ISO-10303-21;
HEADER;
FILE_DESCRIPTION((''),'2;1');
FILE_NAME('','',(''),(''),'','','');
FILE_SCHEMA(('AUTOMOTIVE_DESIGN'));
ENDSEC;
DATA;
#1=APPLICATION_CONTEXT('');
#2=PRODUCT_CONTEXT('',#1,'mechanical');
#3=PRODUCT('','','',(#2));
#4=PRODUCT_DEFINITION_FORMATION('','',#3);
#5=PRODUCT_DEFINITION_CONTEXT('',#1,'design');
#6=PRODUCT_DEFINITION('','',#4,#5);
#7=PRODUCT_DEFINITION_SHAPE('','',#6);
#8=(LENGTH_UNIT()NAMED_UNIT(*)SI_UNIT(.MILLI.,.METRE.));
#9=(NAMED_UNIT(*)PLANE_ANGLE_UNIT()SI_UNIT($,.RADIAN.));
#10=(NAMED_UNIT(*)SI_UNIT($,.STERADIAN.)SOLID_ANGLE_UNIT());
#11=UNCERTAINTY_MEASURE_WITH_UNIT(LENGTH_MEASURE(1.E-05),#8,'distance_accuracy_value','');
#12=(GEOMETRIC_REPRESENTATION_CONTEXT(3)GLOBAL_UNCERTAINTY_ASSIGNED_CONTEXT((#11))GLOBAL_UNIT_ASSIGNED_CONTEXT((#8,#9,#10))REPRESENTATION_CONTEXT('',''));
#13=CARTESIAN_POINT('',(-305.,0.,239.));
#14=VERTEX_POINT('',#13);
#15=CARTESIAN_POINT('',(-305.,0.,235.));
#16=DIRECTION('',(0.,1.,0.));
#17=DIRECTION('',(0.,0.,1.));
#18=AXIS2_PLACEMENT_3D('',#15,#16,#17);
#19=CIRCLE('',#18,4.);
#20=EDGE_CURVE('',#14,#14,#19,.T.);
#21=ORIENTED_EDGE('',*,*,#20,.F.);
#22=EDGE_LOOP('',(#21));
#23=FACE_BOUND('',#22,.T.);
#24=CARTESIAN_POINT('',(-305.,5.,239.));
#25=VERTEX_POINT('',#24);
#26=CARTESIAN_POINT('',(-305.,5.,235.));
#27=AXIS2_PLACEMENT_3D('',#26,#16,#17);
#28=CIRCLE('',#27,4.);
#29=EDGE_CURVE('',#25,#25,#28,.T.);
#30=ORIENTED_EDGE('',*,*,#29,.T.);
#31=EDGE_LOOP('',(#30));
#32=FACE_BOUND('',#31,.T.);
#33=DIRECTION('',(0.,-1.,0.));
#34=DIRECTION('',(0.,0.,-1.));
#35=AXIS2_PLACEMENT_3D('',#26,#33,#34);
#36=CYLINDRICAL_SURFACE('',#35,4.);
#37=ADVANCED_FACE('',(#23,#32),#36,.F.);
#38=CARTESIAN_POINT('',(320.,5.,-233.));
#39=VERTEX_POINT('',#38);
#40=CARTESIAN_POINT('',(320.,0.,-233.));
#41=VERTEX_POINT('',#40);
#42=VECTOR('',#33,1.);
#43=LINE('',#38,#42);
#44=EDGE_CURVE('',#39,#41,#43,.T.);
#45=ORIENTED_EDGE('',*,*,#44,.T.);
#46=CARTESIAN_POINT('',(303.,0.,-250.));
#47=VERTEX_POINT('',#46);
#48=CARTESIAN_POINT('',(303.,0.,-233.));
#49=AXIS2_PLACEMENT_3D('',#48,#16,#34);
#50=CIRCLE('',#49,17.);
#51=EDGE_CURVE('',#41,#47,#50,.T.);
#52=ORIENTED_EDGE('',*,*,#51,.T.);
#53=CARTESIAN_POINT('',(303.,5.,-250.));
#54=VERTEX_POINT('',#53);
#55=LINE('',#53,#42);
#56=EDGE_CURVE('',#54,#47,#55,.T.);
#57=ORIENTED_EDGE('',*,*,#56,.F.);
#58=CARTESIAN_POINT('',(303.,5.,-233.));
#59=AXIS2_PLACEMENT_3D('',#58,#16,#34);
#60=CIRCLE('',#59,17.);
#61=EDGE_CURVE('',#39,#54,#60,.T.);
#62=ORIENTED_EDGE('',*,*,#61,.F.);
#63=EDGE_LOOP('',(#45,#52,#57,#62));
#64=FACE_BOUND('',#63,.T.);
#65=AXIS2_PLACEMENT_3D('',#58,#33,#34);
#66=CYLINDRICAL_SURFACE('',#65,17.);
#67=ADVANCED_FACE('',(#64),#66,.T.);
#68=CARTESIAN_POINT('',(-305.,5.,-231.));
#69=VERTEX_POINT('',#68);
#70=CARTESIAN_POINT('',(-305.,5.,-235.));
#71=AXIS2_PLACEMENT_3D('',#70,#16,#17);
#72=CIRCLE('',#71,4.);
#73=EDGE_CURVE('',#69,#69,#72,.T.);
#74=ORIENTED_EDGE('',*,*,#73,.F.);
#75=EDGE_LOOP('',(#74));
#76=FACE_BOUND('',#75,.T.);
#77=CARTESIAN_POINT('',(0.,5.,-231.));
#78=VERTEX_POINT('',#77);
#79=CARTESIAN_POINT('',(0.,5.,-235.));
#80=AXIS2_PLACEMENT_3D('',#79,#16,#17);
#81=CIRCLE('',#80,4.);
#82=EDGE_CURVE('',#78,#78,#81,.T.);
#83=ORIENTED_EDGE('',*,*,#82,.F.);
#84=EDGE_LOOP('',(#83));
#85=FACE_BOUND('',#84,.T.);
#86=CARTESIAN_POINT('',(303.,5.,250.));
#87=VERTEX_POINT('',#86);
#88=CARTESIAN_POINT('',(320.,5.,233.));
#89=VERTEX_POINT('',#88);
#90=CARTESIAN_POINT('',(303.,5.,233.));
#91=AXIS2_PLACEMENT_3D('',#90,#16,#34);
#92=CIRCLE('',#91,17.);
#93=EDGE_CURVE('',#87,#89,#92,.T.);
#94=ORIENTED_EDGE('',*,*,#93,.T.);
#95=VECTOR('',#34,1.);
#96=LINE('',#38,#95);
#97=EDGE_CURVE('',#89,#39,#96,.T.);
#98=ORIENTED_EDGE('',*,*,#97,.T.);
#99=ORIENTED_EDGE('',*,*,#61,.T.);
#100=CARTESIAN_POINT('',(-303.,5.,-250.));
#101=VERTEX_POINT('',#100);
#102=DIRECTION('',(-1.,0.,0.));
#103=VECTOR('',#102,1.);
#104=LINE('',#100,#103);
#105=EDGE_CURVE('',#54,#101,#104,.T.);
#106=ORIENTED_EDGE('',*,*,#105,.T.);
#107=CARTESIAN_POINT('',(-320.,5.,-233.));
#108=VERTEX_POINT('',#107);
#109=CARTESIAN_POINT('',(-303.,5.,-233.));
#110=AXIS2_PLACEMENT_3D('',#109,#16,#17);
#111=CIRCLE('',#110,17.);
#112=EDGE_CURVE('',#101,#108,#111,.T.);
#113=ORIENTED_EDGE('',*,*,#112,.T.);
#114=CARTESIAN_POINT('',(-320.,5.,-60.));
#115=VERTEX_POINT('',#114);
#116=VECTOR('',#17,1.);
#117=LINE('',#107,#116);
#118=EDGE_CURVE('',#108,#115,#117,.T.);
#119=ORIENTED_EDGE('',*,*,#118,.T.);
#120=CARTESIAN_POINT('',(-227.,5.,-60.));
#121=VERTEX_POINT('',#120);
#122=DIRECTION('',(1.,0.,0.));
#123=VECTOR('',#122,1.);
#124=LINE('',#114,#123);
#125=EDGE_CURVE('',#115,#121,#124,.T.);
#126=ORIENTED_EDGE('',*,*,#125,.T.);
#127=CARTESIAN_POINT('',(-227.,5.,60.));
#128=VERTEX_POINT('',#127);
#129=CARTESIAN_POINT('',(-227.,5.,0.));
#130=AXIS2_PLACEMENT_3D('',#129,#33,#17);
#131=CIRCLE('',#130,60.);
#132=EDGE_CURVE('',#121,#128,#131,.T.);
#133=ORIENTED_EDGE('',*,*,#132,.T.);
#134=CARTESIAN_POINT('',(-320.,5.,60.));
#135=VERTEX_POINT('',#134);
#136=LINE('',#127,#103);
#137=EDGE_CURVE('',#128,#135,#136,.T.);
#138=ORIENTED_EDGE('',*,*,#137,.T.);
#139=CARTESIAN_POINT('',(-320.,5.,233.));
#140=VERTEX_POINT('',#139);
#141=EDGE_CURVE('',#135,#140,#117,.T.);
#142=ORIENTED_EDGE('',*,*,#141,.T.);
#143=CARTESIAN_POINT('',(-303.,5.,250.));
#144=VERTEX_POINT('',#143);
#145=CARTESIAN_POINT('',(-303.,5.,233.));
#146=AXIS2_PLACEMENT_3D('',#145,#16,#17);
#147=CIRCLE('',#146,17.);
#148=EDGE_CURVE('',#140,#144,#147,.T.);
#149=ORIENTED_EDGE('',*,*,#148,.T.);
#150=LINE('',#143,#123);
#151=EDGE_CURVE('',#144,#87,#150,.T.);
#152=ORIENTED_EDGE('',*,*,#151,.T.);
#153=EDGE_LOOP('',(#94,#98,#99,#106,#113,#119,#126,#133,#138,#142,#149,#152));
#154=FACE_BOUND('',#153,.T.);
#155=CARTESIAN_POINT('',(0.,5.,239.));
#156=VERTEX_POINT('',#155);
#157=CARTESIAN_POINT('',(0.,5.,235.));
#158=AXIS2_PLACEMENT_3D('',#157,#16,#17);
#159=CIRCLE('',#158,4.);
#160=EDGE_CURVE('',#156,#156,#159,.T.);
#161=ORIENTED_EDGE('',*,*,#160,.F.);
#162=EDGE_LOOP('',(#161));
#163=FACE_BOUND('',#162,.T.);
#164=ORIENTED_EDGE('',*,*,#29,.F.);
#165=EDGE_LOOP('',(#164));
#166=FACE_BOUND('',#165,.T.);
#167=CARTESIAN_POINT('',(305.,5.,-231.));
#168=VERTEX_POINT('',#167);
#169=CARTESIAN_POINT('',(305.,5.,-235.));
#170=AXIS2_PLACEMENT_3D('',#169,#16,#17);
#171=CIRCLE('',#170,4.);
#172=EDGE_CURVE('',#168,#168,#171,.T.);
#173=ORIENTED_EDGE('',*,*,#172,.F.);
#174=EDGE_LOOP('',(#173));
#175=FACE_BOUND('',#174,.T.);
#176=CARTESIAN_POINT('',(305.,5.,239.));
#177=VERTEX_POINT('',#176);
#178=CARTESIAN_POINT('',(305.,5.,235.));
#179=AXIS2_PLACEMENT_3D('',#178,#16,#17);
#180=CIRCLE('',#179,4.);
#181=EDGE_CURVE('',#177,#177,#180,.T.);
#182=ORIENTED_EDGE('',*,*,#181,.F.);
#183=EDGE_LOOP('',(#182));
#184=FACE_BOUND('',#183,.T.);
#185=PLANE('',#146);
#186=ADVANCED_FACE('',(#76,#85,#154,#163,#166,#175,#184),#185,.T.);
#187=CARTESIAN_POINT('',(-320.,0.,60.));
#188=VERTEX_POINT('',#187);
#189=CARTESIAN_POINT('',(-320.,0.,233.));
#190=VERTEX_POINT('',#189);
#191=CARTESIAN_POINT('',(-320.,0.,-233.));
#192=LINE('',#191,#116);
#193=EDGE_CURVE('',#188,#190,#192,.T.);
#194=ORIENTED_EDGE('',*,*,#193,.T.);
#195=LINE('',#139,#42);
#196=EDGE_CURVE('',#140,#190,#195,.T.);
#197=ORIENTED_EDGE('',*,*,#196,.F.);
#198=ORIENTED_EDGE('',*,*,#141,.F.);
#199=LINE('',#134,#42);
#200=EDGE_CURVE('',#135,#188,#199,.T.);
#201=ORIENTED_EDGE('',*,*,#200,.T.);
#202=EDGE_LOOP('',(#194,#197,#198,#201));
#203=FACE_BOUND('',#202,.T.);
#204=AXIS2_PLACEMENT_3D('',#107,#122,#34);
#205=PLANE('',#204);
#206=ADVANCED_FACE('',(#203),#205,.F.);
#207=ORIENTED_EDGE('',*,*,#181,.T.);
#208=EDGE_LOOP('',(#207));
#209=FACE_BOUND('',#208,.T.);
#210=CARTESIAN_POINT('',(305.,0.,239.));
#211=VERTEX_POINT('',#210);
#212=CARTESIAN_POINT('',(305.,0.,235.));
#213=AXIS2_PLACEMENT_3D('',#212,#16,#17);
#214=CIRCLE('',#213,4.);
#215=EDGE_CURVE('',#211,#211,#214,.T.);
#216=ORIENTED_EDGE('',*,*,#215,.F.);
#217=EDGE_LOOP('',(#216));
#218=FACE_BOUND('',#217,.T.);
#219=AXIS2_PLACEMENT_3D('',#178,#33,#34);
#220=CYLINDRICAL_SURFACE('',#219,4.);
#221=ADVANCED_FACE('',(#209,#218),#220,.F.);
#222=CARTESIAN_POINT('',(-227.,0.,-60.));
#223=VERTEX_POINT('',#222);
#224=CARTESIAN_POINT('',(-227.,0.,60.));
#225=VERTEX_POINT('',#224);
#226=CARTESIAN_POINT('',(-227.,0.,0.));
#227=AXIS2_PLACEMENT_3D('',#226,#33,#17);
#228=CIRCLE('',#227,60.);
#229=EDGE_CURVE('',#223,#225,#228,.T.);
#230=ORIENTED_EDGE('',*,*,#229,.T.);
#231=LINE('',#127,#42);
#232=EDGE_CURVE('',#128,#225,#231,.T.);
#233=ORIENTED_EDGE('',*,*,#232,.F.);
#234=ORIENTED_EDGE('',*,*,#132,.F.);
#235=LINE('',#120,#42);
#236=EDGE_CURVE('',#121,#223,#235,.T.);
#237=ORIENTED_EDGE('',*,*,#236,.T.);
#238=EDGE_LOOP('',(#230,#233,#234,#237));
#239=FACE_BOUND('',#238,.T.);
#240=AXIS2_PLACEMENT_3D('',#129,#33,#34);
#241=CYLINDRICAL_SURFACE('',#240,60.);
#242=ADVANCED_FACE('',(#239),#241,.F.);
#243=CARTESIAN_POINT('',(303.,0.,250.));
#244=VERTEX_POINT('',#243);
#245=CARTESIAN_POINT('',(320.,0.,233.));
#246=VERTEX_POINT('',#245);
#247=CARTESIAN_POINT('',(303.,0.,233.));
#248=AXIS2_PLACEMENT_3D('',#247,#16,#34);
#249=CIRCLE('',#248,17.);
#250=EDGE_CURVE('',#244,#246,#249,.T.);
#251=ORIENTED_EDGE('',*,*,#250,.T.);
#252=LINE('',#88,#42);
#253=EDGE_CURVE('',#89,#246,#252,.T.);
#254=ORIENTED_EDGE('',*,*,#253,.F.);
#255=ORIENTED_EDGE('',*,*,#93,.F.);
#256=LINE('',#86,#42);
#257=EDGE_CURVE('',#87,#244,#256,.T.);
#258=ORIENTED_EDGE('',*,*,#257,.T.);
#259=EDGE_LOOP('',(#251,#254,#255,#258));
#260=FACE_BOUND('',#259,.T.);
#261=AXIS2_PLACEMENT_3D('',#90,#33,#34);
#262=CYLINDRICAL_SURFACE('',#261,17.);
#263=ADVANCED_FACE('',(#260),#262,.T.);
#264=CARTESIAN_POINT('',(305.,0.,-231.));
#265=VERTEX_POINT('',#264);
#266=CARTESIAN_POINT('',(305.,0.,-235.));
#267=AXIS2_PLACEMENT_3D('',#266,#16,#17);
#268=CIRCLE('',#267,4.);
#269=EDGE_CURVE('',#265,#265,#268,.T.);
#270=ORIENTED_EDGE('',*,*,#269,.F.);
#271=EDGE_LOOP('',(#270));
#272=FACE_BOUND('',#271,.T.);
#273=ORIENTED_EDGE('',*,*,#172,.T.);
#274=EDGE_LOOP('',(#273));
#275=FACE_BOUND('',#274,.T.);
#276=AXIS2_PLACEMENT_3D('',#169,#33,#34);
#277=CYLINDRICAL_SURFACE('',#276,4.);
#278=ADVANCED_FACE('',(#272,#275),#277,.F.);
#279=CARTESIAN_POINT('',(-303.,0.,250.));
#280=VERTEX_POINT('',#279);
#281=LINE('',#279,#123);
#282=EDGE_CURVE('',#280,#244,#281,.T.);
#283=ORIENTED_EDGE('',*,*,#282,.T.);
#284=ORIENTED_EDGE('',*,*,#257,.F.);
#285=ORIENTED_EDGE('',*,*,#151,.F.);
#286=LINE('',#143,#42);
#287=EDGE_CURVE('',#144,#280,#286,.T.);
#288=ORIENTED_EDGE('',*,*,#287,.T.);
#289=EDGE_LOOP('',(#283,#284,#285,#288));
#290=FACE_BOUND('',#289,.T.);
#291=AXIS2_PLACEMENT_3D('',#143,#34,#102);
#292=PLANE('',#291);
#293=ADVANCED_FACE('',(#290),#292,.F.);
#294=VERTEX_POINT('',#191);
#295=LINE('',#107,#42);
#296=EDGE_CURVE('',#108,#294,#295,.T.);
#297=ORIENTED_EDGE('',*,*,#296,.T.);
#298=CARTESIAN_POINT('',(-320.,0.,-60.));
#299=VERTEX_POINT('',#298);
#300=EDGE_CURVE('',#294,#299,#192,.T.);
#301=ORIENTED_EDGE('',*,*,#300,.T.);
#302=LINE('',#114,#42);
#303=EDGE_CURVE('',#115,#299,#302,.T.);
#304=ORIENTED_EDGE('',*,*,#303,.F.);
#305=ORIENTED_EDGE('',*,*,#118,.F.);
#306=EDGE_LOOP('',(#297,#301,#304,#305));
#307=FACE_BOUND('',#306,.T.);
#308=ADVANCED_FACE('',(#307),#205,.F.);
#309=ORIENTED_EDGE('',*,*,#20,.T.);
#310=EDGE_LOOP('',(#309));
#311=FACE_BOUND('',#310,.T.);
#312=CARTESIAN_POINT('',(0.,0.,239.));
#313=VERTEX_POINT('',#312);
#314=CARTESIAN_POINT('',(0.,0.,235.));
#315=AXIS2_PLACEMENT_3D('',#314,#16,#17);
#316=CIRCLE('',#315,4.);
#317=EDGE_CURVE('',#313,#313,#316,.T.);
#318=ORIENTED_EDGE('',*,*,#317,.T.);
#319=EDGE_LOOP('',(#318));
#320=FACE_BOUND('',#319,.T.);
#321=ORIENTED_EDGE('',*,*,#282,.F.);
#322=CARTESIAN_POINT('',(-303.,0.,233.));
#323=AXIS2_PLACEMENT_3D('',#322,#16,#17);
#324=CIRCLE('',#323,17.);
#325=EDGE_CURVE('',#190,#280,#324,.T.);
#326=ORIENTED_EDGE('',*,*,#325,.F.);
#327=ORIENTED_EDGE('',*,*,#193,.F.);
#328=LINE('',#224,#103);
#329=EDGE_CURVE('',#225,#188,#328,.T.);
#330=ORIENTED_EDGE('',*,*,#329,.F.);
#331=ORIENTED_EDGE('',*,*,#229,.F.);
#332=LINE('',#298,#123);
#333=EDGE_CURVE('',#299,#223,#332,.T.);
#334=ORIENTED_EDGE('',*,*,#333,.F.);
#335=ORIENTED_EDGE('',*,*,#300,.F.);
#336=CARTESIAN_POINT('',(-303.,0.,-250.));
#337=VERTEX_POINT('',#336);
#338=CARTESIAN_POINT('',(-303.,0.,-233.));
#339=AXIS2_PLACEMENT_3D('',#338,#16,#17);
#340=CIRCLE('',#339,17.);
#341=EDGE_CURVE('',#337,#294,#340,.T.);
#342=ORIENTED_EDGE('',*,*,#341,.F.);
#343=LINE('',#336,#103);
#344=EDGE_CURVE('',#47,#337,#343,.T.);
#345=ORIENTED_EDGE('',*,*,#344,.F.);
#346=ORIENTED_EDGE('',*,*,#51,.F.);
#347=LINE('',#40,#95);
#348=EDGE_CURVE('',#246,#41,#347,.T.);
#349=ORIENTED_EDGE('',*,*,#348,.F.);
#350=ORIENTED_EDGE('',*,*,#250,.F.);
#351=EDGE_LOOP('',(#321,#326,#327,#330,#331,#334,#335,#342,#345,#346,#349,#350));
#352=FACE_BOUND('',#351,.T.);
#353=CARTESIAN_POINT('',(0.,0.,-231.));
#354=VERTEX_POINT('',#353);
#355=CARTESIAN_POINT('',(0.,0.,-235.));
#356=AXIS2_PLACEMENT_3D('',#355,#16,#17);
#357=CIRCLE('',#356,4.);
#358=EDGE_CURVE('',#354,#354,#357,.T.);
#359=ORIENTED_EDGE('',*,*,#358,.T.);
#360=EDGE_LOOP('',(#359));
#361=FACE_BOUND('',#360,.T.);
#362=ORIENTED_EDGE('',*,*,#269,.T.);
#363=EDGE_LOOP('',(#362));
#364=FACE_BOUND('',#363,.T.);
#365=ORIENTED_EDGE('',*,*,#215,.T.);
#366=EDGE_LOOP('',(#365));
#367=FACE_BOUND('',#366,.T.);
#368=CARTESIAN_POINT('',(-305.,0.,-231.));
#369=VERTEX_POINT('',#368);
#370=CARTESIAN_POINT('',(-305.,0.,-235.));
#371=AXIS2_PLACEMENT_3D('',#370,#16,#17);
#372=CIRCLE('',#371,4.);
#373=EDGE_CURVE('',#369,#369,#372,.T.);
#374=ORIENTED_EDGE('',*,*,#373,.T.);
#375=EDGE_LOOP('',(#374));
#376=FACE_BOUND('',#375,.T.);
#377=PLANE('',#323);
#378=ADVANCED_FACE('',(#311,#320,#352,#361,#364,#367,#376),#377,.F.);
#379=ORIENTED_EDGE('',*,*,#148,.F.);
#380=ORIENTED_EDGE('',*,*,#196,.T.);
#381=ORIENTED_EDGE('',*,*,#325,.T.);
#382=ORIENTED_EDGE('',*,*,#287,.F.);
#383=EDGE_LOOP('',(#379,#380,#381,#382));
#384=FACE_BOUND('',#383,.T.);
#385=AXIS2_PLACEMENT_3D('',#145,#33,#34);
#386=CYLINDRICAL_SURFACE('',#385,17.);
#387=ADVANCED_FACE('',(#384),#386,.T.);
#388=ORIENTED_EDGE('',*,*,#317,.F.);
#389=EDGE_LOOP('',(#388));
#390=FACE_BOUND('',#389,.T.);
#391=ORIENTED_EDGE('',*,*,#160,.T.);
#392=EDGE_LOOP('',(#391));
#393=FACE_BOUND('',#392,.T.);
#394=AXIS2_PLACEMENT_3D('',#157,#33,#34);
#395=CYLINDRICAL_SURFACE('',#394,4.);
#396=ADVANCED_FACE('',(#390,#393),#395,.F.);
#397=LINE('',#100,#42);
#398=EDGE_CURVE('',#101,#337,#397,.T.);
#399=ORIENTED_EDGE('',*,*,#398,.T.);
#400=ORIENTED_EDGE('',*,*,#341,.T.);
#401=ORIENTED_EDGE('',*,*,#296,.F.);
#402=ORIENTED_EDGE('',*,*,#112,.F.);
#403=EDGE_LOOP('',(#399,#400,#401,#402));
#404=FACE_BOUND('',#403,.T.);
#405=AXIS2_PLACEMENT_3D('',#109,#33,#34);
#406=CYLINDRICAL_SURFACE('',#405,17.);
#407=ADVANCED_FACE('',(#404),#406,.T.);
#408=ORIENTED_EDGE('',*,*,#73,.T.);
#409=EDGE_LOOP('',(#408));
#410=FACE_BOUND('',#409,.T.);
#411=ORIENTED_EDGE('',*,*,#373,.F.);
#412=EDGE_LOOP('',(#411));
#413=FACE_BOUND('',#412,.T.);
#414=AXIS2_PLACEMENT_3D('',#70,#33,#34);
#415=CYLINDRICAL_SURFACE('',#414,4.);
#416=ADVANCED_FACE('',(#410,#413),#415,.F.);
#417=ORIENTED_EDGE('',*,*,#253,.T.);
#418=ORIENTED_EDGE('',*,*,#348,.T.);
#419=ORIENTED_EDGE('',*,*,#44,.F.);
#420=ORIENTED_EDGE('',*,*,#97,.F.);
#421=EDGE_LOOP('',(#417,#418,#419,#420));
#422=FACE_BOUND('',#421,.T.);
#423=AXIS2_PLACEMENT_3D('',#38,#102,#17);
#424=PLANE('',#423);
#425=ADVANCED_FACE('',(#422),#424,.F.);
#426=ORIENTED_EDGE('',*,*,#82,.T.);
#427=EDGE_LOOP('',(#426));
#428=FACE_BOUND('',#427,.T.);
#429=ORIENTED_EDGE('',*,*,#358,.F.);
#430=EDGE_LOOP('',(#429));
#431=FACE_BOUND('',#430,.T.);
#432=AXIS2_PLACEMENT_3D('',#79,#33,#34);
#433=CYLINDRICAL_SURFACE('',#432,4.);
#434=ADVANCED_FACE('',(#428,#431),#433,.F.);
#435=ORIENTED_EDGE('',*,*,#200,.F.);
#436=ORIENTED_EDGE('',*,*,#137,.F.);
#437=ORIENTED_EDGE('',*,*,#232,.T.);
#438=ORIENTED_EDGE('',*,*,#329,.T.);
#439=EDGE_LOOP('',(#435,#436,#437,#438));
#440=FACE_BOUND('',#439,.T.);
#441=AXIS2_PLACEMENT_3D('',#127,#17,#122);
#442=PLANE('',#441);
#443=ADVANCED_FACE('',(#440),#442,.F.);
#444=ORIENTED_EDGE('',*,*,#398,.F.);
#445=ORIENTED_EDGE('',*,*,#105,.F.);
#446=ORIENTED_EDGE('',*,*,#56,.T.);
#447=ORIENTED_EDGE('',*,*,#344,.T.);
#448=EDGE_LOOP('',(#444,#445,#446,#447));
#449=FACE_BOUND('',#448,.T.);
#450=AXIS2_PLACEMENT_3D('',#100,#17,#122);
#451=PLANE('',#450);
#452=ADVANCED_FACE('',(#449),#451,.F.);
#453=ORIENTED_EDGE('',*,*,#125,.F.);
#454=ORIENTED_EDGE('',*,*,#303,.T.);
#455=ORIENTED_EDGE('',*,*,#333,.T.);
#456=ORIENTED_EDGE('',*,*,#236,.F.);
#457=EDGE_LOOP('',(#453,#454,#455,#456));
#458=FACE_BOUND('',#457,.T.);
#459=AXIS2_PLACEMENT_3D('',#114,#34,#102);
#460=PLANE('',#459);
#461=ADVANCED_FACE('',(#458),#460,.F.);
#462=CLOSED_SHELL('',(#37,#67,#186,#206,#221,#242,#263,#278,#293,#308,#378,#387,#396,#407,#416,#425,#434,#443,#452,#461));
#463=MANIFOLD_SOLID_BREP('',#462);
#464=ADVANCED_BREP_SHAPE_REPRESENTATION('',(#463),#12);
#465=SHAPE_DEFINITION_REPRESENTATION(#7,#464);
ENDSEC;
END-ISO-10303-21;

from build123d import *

# Parameters (mm, degrees)
CROQUIS1_R              = 4
SALIENTE_EXTRUIR1_DEPTH = 5
CORTAR_EXTRUIR2_DEPTH   = 6


with BuildPart() as part:
    # Croquis1 → Saliente-Extruir1 (new body)
    with BuildSketch(Plane(origin=(0, 0, 0), x_dir=(1, 0, 0), z_dir=(0, 1, 0))):
        with BuildLine():
            Line((-303, 250), (303, 250))
            ThreePointArc((303, 250), (315.02081528, 245.02081528), (320, 233))
            Line((320, 233), (320, -233))
            ThreePointArc((320, -233), (315.02081528, -245.02081528), (303, -250))
            Line((303, -250), (-303, -250))
            ThreePointArc((-303, -250), (-315.02081528, -245.02081528), (-320, -233))
            Line((-320, -233), (-320, 233))
            ThreePointArc((-320, 233), (-315.02081528, 245.02081528), (-303, 250))
        make_face()
        with Locations((0, 235)):
            Circle(CROQUIS1_R, mode=Mode.SUBTRACT)
        with Locations((305, 235)):
            Circle(CROQUIS1_R, mode=Mode.SUBTRACT)
        with Locations((-305, 235)):
            Circle(CROQUIS1_R, mode=Mode.SUBTRACT)
        with Locations((0, -235)):
            Circle(CROQUIS1_R, mode=Mode.SUBTRACT)
        with Locations((305, -235)):
            Circle(CROQUIS1_R, mode=Mode.SUBTRACT)
        with Locations((-305, -235)):
            Circle(CROQUIS1_R, mode=Mode.SUBTRACT)
    extrude(amount=SALIENTE_EXTRUIR1_DEPTH)

    # Croquis3 → Cortar-Extruir2 (cut, through all)
    with BuildSketch(Plane.XZ):
        with BuildLine():
            Line((-227, 60), (-320, 60))
            Line((-320, 60), (-320, -60))
            Line((-320, -60), (-227, -60))
            ThreePointArc((-227, -60), (-167, 0), (-227, 60))
        make_face()
    extrude(amount=-CORTAR_EXTRUIR2_DEPTH, mode=Mode.SUBTRACT)


solid = part.part
